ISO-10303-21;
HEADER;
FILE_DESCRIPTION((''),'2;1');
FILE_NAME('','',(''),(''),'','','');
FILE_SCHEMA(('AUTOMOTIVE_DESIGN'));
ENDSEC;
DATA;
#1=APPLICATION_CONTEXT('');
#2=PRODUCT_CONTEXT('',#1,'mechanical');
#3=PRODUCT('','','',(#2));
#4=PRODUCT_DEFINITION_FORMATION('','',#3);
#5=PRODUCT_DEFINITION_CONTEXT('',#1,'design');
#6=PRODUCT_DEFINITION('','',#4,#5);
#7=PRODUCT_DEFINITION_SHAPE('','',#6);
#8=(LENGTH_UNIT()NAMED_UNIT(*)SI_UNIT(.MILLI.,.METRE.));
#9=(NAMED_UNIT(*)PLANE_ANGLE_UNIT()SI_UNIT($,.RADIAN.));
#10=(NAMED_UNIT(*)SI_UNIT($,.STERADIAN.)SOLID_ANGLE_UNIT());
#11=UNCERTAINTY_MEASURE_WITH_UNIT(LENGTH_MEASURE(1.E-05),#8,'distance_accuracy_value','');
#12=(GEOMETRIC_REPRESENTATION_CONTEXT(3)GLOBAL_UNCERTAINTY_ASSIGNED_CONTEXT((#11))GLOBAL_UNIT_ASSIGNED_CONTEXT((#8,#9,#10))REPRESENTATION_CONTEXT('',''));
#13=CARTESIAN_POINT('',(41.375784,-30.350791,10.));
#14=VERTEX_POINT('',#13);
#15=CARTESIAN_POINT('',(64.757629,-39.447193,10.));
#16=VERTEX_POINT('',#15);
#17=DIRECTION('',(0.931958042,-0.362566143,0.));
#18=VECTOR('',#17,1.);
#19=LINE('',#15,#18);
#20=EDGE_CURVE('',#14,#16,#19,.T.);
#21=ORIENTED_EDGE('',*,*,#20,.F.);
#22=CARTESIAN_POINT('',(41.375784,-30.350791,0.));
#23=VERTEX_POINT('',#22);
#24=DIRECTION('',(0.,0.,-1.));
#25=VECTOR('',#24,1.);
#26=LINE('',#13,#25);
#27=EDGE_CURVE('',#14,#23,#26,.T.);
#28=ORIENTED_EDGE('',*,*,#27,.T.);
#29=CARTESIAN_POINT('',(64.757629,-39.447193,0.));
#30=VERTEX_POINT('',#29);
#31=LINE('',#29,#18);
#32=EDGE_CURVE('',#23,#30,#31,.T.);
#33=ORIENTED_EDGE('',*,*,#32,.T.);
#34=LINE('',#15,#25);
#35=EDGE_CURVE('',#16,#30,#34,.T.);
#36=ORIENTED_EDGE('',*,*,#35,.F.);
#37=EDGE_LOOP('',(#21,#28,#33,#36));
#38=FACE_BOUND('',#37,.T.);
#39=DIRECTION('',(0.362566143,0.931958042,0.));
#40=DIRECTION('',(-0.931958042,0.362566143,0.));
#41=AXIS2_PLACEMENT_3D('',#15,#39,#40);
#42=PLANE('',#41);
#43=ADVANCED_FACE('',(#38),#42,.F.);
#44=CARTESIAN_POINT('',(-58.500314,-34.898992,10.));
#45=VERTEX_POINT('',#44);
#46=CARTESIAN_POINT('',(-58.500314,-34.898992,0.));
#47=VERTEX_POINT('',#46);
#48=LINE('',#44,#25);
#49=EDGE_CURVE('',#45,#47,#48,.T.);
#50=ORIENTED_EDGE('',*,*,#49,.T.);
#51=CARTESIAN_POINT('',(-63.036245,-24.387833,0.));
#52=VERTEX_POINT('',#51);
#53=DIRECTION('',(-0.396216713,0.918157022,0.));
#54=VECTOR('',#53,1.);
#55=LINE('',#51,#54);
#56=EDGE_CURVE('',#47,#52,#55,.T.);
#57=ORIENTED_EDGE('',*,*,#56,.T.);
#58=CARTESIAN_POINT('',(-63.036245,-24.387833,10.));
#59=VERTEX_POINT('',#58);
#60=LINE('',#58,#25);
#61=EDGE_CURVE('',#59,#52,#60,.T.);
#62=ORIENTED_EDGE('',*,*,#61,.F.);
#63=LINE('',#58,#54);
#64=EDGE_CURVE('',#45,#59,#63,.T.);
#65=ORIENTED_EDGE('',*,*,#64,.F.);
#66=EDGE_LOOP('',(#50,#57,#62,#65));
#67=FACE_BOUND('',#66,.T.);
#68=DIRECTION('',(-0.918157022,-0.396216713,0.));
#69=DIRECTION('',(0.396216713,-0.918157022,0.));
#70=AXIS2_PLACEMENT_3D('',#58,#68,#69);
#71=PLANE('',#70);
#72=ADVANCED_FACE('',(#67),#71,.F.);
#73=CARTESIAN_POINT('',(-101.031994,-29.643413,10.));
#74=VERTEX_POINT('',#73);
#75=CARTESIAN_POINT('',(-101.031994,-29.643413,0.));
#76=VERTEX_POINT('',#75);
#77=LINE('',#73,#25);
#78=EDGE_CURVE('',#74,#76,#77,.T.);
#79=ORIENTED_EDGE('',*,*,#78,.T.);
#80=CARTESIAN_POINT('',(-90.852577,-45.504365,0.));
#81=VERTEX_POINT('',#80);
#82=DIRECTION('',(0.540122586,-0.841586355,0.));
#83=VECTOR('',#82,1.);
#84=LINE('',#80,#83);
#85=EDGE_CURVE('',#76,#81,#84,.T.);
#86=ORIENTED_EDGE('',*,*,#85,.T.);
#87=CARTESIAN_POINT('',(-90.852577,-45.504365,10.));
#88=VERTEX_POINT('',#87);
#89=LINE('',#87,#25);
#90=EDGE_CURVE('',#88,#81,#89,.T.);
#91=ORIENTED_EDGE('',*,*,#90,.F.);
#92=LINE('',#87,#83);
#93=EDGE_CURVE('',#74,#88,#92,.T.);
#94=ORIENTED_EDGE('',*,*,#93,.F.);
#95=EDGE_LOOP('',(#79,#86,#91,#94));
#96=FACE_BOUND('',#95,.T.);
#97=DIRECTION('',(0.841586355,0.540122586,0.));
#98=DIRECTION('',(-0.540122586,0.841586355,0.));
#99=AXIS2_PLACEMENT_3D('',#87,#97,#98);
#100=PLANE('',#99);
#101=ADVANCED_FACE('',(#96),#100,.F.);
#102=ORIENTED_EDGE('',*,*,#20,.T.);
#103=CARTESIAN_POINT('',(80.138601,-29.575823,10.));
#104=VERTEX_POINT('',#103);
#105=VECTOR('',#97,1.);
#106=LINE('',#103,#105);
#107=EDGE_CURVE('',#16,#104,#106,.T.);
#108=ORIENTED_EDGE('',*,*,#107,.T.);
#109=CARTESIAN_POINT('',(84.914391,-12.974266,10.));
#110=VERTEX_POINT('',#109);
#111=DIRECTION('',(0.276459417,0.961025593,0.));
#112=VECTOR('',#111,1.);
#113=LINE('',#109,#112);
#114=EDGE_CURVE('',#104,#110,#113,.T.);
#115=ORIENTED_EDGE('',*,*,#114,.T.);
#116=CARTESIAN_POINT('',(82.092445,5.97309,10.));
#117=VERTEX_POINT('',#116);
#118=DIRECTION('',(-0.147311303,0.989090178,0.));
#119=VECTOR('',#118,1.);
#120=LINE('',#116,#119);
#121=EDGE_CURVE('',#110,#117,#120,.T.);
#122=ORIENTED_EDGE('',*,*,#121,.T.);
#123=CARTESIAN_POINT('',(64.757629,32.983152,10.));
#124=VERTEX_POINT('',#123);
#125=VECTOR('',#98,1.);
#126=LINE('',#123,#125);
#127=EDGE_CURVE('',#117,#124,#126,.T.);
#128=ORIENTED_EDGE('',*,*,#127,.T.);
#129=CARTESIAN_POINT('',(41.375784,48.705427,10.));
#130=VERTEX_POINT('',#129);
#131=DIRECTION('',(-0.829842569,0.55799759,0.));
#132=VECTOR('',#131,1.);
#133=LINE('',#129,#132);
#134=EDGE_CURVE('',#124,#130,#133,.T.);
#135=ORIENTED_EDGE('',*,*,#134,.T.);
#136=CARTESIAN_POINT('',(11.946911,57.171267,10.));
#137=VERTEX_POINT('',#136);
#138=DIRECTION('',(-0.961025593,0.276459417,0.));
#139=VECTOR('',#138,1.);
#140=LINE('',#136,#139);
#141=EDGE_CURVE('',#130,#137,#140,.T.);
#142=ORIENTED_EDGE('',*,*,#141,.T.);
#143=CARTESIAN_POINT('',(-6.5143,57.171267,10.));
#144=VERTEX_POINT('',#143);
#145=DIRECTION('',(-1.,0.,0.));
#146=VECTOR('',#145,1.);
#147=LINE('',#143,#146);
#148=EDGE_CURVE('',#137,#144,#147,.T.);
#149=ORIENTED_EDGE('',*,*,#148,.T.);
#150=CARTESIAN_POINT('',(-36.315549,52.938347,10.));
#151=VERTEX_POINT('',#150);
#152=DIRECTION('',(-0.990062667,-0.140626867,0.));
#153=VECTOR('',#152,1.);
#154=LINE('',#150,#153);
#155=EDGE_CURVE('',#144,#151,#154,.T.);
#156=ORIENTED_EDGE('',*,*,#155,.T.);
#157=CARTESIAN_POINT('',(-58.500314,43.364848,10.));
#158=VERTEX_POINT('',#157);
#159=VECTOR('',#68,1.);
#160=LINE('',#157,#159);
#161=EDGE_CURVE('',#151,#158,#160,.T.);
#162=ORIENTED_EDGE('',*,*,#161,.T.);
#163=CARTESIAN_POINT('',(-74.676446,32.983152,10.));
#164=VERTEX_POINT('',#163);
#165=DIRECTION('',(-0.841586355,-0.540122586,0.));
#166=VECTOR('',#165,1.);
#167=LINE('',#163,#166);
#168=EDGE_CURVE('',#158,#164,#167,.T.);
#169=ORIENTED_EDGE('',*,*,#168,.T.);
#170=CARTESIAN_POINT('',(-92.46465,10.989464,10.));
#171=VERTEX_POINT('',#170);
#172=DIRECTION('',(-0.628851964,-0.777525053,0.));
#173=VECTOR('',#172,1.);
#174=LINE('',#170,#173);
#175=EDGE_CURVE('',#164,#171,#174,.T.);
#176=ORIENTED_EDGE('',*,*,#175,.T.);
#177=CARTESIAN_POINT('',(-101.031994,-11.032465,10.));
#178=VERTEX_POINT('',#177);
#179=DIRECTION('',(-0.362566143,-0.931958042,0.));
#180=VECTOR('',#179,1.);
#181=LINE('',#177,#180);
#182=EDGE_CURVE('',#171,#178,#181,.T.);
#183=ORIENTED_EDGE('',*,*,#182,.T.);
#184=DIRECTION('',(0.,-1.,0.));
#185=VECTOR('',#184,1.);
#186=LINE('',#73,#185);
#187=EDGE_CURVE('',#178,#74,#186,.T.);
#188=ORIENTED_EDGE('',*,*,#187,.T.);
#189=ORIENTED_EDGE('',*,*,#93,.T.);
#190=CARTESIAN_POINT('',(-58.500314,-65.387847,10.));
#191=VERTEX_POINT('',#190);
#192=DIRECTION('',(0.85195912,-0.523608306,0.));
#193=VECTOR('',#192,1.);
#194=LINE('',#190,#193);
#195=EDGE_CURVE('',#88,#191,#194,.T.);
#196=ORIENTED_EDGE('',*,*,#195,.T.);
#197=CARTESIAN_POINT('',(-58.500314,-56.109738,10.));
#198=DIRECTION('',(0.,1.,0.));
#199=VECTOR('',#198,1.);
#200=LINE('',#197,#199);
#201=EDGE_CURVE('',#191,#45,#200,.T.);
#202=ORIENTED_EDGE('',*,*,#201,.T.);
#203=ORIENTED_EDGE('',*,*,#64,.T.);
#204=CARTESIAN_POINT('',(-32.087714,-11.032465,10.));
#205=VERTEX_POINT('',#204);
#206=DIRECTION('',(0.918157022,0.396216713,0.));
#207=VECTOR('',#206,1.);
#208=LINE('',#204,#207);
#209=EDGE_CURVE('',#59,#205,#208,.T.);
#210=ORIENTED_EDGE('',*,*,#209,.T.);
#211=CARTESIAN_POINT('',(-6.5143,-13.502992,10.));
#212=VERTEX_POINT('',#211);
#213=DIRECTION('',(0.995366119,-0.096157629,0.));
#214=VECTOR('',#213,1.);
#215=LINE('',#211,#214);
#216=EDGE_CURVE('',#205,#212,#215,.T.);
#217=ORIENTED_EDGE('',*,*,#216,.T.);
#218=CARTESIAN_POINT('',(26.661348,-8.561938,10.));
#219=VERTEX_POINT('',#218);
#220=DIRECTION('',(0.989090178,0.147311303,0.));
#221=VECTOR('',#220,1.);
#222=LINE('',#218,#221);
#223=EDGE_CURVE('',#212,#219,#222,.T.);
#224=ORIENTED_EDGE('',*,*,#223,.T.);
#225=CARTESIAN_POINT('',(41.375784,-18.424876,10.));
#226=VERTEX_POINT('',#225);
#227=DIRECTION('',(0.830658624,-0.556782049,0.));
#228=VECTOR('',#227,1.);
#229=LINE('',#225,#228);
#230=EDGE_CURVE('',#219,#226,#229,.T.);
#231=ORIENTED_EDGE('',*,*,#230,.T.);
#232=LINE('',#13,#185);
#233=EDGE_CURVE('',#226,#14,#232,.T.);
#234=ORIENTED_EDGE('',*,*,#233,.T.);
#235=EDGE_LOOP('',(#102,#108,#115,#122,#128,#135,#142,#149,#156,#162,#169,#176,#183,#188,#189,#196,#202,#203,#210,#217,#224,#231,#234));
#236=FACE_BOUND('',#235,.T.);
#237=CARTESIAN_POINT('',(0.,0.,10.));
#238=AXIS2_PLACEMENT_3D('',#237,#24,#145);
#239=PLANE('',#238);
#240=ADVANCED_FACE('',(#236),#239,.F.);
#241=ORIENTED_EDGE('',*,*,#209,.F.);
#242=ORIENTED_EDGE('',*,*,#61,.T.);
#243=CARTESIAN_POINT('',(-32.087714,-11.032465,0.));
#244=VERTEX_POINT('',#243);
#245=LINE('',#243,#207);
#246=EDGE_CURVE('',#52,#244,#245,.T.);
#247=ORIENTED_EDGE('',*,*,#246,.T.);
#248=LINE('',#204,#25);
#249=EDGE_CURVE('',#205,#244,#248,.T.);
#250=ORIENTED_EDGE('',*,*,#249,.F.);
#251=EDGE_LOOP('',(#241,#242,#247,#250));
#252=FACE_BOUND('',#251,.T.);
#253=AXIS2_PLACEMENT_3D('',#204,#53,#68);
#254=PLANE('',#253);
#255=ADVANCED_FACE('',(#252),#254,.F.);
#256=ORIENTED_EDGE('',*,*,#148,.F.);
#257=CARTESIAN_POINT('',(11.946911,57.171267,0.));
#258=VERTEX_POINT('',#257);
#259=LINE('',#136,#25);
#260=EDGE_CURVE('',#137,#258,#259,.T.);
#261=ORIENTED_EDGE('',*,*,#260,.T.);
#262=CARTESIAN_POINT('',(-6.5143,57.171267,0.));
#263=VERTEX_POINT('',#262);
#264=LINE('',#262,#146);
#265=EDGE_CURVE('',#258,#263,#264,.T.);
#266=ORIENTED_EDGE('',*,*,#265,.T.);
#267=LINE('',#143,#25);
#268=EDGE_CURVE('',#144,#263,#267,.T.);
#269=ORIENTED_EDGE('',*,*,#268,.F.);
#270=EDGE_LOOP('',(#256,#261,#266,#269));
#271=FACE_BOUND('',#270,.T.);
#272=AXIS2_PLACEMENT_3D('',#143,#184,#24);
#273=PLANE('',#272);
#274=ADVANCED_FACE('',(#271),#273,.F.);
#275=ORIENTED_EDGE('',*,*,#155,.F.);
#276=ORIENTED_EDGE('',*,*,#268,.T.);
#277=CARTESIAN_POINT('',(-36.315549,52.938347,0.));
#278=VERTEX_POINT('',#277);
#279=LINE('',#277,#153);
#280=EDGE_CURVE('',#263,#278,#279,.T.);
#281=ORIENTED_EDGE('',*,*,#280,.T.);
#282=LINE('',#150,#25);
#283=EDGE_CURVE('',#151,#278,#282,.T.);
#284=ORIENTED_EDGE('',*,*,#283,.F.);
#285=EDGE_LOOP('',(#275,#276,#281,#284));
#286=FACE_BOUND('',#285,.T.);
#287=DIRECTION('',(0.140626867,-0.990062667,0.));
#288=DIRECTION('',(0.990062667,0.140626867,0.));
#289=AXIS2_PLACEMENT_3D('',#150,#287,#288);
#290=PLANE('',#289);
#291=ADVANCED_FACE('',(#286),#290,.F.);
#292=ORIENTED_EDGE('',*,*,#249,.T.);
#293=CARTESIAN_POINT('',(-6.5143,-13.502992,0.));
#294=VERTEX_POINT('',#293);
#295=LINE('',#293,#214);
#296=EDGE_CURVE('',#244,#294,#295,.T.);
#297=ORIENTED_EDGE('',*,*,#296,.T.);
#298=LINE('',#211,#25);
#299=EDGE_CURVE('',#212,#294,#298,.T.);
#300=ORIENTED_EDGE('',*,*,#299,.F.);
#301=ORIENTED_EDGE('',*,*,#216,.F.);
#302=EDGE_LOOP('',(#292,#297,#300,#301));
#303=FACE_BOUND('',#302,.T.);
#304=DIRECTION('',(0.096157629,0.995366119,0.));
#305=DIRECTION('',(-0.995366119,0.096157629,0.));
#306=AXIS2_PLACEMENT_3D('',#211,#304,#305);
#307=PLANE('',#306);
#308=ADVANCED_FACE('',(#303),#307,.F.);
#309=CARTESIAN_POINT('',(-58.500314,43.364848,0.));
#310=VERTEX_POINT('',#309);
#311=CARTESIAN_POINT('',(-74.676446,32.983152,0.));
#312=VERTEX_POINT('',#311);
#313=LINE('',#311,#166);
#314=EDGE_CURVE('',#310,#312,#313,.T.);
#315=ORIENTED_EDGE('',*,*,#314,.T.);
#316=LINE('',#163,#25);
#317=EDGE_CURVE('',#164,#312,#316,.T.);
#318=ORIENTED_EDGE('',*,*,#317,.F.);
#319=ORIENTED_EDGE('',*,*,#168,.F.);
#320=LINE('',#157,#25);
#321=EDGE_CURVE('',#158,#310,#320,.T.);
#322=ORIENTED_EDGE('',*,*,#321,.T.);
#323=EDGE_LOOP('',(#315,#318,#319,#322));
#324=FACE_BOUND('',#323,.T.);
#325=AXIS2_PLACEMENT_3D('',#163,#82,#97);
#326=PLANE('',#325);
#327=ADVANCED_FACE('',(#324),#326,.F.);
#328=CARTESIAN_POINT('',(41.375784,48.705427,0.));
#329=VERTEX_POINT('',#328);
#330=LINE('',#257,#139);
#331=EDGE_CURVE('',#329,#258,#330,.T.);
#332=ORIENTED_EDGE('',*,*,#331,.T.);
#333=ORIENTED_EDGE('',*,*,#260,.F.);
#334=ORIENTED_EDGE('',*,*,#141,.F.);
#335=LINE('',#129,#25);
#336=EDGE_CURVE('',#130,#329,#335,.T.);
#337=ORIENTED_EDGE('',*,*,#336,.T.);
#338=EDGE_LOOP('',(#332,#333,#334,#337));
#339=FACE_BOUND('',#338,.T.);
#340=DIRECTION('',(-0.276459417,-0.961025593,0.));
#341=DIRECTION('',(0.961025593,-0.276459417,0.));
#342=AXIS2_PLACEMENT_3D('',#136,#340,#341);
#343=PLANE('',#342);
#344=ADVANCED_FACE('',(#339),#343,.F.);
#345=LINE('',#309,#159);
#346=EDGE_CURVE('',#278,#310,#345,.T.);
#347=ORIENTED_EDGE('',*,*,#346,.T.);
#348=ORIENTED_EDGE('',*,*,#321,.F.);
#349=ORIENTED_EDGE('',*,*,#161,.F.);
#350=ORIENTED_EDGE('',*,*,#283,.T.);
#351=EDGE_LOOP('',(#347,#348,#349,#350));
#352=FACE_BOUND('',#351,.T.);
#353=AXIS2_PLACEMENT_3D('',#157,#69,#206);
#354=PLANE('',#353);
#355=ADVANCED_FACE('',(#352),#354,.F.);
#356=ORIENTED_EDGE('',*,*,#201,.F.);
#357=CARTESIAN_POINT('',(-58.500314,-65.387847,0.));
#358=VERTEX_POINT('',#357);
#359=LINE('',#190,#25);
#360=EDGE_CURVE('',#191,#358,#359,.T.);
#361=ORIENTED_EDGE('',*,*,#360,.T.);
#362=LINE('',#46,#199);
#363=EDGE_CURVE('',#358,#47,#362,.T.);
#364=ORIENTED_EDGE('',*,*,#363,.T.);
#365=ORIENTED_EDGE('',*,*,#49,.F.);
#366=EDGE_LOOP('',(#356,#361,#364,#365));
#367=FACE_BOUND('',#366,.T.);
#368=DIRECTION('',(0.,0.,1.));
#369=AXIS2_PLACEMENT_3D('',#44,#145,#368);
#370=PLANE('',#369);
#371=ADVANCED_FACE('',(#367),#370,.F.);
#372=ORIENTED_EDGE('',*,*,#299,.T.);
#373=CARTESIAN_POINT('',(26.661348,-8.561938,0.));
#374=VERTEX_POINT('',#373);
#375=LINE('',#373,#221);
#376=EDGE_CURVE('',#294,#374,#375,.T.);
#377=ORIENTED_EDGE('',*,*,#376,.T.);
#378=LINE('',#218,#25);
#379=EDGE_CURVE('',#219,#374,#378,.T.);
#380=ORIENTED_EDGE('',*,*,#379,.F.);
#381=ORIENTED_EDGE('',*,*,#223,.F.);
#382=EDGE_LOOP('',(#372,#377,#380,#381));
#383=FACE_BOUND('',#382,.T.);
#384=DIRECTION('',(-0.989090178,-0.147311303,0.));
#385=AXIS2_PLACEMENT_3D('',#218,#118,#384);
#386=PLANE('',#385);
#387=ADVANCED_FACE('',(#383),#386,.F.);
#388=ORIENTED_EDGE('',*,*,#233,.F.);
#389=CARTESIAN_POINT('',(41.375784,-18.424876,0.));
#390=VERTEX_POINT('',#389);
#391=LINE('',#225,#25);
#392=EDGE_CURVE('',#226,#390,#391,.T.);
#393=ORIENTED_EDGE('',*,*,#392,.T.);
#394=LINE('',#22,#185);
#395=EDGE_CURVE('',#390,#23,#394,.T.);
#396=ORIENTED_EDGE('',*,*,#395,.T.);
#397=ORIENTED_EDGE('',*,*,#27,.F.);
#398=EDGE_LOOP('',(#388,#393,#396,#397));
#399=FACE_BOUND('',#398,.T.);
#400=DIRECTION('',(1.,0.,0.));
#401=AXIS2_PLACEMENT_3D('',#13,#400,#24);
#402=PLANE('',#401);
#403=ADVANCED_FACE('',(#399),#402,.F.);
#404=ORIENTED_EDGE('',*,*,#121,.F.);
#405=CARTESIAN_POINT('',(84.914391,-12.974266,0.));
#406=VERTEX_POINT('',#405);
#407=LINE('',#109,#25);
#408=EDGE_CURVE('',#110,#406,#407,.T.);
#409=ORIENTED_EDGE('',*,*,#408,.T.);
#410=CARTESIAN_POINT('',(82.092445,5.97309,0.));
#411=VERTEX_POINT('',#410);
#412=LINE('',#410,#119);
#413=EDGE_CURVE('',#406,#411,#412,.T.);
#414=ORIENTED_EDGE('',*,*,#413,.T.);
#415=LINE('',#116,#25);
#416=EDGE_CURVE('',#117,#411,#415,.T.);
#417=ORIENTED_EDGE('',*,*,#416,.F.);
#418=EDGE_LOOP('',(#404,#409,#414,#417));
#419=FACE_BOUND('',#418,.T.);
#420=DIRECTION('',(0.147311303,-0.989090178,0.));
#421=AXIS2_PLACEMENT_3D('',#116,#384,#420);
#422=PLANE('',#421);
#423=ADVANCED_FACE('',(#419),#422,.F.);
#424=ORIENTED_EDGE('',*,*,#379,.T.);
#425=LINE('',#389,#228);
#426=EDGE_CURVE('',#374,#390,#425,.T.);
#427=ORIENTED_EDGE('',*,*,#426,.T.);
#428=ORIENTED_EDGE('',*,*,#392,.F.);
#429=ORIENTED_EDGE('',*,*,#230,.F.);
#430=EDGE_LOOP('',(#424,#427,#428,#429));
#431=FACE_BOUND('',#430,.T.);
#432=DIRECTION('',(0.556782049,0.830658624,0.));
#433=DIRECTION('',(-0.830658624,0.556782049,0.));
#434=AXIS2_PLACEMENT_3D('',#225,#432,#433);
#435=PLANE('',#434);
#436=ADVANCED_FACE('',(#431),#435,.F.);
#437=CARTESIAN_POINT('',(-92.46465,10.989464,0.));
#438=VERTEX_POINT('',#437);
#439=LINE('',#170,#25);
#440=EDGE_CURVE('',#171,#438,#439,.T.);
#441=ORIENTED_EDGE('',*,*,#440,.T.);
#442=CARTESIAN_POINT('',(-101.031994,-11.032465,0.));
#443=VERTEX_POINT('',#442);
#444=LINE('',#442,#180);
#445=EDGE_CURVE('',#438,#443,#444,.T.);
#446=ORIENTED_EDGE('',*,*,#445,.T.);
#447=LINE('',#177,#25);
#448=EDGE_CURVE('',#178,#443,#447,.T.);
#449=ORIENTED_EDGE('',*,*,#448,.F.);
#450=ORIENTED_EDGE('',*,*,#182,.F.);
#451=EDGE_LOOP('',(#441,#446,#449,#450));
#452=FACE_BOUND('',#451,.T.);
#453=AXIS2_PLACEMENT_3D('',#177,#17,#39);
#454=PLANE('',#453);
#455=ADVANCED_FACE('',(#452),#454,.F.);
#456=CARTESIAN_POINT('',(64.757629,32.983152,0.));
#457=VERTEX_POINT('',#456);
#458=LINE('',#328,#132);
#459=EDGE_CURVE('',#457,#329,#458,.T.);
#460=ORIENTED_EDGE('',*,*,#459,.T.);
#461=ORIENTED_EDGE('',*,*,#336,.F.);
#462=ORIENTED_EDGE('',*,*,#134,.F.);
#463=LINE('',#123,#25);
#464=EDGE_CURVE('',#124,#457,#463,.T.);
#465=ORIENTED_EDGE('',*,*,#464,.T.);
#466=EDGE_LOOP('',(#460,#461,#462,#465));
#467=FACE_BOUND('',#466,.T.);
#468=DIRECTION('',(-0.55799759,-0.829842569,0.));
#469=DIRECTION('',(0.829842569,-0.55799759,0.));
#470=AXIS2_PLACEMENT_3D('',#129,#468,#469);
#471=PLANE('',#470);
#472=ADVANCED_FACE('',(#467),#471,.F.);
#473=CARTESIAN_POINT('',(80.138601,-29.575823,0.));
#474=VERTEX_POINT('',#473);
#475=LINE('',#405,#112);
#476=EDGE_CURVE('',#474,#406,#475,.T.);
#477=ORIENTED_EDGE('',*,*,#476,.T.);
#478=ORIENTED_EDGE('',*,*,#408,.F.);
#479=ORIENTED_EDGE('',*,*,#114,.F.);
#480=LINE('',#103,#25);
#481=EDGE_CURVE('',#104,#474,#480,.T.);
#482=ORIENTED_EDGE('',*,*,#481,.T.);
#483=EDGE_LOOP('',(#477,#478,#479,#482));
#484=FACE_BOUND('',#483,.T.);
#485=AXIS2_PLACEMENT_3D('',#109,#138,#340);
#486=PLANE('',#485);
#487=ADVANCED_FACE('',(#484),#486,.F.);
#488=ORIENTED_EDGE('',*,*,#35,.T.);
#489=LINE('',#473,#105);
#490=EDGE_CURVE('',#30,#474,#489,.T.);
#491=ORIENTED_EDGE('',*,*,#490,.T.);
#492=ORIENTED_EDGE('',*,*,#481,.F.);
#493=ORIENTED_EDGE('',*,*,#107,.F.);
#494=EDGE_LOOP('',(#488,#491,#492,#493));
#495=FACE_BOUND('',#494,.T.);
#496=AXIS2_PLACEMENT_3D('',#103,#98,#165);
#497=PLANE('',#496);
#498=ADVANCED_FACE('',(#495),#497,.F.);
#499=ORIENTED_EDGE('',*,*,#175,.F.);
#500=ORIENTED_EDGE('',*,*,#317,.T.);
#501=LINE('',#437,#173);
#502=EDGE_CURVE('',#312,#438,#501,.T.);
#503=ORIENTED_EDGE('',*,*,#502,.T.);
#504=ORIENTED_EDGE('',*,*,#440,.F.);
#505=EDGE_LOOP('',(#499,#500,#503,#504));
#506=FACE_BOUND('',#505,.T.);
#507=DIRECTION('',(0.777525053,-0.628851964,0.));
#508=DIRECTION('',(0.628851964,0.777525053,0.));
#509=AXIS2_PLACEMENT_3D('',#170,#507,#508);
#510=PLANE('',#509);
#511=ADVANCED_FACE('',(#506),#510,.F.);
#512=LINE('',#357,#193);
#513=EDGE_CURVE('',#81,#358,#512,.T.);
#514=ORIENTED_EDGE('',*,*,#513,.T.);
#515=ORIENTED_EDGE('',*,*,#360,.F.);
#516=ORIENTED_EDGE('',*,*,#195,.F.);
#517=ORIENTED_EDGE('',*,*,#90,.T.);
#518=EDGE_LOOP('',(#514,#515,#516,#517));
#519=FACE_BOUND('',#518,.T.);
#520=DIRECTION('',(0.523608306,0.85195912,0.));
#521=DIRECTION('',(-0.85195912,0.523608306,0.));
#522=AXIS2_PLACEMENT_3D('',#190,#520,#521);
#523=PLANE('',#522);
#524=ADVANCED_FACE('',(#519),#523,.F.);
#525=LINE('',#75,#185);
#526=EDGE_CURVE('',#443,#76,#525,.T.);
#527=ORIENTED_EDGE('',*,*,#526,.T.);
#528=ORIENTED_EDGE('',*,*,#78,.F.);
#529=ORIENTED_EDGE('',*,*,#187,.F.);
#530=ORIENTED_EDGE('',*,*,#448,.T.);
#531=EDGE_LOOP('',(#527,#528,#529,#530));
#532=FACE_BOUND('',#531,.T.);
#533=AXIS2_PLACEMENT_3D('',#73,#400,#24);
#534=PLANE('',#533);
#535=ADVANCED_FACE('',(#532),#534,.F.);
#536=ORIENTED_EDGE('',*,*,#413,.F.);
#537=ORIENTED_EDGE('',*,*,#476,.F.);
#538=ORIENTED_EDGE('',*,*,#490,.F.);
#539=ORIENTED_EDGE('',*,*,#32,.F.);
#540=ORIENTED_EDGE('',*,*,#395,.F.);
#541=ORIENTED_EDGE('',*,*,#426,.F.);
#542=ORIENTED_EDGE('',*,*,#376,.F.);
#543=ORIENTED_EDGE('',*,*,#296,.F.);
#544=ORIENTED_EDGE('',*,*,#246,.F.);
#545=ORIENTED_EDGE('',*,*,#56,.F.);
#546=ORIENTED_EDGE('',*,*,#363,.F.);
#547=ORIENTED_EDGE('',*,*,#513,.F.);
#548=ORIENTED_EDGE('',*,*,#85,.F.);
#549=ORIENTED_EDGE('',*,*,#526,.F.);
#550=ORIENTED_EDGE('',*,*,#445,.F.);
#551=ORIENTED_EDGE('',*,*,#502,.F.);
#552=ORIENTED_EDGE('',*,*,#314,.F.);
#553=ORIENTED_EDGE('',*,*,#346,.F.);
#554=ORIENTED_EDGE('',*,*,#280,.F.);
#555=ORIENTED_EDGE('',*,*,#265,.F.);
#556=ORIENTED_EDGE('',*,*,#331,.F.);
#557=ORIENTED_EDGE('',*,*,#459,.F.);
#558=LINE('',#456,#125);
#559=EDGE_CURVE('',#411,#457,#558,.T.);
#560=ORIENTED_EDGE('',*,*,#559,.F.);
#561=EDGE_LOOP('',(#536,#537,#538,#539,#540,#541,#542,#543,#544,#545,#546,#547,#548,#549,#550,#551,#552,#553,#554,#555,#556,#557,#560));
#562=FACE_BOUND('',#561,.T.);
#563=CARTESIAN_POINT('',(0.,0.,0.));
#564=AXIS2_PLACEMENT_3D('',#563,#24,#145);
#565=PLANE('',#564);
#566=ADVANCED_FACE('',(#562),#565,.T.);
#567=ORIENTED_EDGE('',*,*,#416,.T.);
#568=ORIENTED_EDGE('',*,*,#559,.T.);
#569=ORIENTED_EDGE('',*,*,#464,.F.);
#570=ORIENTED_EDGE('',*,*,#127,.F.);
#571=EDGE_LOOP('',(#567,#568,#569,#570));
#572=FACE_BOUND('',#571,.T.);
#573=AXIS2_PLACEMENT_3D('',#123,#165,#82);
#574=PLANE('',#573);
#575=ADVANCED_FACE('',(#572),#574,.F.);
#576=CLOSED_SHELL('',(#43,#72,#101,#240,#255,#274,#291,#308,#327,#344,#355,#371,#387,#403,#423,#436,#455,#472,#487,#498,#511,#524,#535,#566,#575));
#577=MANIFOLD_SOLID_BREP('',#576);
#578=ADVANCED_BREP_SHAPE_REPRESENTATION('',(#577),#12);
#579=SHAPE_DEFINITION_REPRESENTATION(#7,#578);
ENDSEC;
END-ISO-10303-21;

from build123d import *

# Parameters (mm, degrees)
EXTRUDE_1_DEPTH = 10


with BuildPart() as part:
    # Эскиз3 → Бобышка-Вытянуть1 (new body)
    with BuildSketch(Plane.XY):
        Polygon((-6.514300298, 57.171267059), (11.946911316, 57.171267059), (41.375784462, 48.705426839), (64.757628879, 32.983152144), (82.092444568, 5.973090489), (84.914391308, -12.974266194), (80.138601028, -29.575822882), (64.757628879, -39.447193067), (41.375784462, -30.350790899), (41.375784462, -18.424875651), (26.661347889, -8.561938093), (-6.514300298, -13.502992078), (-32.08771429, -11.032465085), (-63.03624492, -24.387833275), (-58.500314076, -34.898991983), (-58.500314076, -56.109737792), (-58.500314076, -65.387846646), (-90.852577072, -45.504364887), (-101.031994193, -29.643412629), (-101.031994193, -11.032465085), (-92.464649532, 10.989463612), (-74.676445574, 32.983152144), (-58.500314076, 43.364848478), (-36.315548637, 52.938346949), align=None)
    extrude(amount=EXTRUDE_1_DEPTH)


solid = part.part
